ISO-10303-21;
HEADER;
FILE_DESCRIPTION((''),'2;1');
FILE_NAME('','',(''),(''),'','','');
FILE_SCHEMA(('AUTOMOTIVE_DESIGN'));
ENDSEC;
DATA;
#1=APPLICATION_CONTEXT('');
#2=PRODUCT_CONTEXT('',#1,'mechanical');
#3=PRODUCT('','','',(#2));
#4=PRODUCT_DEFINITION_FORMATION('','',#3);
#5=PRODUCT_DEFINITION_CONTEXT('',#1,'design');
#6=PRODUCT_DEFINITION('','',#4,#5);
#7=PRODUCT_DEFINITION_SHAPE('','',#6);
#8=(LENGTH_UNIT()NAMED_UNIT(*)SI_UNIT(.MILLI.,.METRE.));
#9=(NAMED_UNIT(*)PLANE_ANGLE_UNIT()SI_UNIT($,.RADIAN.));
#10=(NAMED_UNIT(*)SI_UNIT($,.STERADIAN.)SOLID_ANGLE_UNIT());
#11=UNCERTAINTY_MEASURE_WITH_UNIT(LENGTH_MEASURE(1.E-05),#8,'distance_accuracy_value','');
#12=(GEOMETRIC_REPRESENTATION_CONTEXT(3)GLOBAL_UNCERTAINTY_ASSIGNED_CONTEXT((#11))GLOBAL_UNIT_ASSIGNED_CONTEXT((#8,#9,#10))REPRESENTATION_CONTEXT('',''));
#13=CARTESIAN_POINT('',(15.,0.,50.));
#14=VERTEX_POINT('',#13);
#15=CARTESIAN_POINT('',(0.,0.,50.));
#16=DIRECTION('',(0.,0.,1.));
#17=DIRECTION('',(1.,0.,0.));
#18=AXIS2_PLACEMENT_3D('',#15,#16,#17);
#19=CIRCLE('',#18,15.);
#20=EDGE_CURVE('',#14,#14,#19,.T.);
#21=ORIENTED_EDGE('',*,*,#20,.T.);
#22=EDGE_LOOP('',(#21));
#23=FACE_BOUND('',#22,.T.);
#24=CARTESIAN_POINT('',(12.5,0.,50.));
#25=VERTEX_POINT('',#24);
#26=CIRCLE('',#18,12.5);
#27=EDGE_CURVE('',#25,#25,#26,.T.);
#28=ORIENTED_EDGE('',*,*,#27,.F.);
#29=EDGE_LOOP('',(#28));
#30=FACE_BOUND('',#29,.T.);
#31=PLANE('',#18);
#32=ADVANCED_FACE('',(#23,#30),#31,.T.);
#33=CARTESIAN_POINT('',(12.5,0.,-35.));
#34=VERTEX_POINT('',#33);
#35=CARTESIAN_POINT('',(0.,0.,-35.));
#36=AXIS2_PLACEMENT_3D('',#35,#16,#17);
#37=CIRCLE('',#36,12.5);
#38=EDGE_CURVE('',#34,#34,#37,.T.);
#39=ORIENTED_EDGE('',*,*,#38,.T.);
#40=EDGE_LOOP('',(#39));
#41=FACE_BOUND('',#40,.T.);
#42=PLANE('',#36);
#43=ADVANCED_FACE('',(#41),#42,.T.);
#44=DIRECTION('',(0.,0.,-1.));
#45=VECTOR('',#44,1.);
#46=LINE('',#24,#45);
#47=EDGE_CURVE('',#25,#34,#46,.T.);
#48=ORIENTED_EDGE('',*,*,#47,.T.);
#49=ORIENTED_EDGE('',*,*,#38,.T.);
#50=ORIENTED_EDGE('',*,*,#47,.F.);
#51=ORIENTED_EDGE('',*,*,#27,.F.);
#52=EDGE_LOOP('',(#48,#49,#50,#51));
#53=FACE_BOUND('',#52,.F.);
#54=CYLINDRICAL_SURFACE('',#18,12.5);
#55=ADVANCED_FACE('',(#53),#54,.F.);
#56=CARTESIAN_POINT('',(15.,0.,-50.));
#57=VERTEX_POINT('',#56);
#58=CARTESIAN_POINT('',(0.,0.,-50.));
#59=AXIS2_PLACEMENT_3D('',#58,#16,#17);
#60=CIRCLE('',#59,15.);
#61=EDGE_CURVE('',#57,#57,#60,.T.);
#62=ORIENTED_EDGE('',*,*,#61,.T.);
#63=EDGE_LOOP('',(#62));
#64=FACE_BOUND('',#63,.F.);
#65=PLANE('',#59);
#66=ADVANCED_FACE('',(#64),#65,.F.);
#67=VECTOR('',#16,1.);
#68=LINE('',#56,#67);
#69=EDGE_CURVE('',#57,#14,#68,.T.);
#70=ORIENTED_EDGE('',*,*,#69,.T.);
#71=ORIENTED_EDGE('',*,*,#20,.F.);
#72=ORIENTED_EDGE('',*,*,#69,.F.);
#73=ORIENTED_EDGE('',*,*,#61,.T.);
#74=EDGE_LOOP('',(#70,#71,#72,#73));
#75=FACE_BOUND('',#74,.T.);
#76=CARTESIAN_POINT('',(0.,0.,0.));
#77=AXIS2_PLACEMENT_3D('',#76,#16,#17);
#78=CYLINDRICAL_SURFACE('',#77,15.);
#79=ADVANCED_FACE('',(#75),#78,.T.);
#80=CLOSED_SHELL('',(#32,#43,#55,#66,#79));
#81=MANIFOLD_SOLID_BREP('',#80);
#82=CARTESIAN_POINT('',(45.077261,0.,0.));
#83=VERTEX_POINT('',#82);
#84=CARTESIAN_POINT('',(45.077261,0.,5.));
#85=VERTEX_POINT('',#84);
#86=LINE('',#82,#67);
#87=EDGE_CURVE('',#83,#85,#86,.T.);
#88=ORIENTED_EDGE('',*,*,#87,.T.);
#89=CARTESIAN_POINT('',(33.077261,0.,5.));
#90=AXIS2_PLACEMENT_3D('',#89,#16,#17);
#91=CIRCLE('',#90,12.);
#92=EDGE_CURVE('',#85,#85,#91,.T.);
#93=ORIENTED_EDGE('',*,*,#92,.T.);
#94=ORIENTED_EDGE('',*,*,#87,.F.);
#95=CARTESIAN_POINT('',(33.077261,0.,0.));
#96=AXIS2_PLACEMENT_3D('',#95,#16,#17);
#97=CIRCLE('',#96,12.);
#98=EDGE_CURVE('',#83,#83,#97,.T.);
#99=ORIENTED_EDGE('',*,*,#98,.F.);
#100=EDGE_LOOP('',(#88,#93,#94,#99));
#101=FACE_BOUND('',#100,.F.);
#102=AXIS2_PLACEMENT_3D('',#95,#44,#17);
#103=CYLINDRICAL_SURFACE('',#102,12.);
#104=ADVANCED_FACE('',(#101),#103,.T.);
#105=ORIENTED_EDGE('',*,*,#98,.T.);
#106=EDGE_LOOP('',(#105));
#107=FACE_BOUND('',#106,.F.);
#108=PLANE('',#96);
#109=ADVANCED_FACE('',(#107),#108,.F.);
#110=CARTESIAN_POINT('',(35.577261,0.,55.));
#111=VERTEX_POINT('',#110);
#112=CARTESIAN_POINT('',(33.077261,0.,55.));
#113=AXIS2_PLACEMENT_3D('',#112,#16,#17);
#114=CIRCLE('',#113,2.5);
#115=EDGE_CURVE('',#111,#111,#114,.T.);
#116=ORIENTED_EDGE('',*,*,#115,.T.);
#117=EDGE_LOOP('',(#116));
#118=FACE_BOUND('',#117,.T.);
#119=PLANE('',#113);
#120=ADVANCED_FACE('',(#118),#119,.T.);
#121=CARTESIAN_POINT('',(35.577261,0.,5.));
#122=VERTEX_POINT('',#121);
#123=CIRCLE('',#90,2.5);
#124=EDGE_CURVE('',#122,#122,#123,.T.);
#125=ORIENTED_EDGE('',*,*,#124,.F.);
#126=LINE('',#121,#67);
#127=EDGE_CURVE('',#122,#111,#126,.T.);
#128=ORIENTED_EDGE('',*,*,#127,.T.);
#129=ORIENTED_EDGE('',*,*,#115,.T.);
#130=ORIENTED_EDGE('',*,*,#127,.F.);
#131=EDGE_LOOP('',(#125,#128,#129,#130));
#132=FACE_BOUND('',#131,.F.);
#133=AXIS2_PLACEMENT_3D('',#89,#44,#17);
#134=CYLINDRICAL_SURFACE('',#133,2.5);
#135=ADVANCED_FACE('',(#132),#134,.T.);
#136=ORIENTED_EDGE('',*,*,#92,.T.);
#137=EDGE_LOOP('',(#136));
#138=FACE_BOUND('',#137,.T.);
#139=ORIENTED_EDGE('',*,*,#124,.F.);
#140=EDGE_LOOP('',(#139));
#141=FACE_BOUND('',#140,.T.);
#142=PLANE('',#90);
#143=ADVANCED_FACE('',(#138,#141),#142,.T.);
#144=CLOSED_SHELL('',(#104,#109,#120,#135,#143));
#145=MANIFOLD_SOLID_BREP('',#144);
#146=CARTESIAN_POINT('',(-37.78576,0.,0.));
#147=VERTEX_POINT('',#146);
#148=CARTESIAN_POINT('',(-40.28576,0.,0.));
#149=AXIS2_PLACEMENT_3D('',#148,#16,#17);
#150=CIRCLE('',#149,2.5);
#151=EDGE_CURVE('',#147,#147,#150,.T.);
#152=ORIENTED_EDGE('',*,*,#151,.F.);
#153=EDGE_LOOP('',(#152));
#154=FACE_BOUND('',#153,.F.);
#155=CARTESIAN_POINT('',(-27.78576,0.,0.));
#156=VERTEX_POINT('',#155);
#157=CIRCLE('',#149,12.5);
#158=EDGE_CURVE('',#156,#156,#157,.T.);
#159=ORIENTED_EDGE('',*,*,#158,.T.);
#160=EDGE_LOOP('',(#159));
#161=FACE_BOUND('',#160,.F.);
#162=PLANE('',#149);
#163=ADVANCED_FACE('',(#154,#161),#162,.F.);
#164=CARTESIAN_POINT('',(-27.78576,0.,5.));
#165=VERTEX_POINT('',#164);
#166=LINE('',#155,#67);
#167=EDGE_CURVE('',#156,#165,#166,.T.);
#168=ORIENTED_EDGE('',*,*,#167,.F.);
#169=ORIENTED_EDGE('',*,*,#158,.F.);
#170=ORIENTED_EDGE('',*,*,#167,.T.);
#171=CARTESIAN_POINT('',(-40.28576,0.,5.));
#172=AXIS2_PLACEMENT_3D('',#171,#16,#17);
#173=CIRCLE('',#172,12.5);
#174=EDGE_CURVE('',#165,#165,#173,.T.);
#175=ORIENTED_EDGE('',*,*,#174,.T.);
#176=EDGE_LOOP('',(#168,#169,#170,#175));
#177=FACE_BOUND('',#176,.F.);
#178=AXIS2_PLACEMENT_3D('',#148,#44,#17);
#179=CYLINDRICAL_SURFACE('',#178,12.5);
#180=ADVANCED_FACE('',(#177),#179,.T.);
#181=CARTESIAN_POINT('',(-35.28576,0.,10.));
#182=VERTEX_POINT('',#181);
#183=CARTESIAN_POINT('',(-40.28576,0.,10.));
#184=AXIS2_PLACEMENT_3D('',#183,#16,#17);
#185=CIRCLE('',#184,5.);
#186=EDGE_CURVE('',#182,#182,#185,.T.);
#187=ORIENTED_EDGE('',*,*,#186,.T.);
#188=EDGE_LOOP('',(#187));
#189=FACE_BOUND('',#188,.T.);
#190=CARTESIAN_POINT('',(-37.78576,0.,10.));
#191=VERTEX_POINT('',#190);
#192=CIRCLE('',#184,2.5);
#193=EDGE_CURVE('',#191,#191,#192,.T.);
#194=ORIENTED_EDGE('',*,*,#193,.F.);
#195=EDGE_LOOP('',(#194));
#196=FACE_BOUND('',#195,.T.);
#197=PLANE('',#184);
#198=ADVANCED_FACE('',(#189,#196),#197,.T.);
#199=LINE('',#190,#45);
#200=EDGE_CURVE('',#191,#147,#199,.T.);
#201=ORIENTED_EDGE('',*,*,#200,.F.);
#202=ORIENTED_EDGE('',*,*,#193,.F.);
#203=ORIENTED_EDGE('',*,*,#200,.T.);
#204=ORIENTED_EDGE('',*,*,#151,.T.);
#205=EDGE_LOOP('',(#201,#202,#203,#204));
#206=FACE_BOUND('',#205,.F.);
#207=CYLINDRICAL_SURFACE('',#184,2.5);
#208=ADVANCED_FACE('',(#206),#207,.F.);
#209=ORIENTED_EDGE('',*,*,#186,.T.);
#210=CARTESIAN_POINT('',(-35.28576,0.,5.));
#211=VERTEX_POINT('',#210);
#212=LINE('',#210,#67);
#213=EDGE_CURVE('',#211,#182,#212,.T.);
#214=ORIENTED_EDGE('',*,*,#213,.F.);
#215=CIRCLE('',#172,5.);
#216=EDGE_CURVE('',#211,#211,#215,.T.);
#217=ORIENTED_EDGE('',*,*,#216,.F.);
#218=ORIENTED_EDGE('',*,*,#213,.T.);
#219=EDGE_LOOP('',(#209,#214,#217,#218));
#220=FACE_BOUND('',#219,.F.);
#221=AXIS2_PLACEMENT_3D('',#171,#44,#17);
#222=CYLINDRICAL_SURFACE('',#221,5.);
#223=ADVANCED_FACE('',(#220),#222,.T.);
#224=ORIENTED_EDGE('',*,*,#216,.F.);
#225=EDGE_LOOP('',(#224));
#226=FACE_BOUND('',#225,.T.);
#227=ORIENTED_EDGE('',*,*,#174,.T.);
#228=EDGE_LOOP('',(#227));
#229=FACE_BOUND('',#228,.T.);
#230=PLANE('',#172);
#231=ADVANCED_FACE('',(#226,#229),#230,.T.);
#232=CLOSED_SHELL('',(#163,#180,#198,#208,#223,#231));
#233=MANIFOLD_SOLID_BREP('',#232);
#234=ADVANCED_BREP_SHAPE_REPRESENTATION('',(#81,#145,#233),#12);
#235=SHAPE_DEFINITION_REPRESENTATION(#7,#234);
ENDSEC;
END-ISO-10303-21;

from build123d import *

# Parameters (mm, degrees)
F0_R      = 15
F1_DEPTH  = 50
F2_R      = 12.5
F3_DEPTH  = 85
F4_R      = 12
F5_DEPTH  = 5
F6_R      = 2.5
F7_DEPTH  = 50
F8_R      = 12.5
F9_DEPTH  = 5
F10_R     = 5
F11_DEPTH = 5
F12_R     = 2.5
F13_DEPTH = 10


with BuildPart() as f1:
    # F0 (on Top) → F1 (new body, symmetric)
    with BuildSketch(Plane.XY):
        Circle(F0_R)
    extrude(amount=F1_DEPTH, both=True)

    # F2 (on face) → F3 (cut)
    with BuildSketch(Plane.XY.offset(50)):
        Circle(F2_R)
    extrude(amount=-F3_DEPTH, mode=Mode.SUBTRACT)


with BuildPart() as f5:
    # F4 (on Top) → F5 (new body)
    with BuildSketch(Plane.XY):
        with Locations((33.077261, 0)):
            Circle(F4_R)
    extrude(amount=F5_DEPTH)

    # F6 (on face) → F7 (join)
    with BuildSketch(Plane.XY.offset(5)):
        with Locations((33.077261, 0)):
            Circle(F6_R)
    extrude(amount=F7_DEPTH)


with BuildPart() as f9:
    # F8 (on Top) → F9 (new body)
    with BuildSketch(Plane.XY):
        with Locations((-40.28576, 0)):
            Circle(F8_R)
    extrude(amount=F9_DEPTH)

    # F10 (on face) → F11 (join)
    with BuildSketch(Plane.XY.offset(5)):
        with Locations((-40.28576, 0)):
            Circle(F10_R)
    extrude(amount=F11_DEPTH)

    # F12 (on face) → F13 (cut)
    with BuildSketch(Plane.XY.offset(10)):
        with Locations((-40.28576, 0)):
            Circle(F12_R)
    extrude(amount=-F13_DEPTH, mode=Mode.SUBTRACT)


solid = Compound([f1.part, f5.part, f9.part])
